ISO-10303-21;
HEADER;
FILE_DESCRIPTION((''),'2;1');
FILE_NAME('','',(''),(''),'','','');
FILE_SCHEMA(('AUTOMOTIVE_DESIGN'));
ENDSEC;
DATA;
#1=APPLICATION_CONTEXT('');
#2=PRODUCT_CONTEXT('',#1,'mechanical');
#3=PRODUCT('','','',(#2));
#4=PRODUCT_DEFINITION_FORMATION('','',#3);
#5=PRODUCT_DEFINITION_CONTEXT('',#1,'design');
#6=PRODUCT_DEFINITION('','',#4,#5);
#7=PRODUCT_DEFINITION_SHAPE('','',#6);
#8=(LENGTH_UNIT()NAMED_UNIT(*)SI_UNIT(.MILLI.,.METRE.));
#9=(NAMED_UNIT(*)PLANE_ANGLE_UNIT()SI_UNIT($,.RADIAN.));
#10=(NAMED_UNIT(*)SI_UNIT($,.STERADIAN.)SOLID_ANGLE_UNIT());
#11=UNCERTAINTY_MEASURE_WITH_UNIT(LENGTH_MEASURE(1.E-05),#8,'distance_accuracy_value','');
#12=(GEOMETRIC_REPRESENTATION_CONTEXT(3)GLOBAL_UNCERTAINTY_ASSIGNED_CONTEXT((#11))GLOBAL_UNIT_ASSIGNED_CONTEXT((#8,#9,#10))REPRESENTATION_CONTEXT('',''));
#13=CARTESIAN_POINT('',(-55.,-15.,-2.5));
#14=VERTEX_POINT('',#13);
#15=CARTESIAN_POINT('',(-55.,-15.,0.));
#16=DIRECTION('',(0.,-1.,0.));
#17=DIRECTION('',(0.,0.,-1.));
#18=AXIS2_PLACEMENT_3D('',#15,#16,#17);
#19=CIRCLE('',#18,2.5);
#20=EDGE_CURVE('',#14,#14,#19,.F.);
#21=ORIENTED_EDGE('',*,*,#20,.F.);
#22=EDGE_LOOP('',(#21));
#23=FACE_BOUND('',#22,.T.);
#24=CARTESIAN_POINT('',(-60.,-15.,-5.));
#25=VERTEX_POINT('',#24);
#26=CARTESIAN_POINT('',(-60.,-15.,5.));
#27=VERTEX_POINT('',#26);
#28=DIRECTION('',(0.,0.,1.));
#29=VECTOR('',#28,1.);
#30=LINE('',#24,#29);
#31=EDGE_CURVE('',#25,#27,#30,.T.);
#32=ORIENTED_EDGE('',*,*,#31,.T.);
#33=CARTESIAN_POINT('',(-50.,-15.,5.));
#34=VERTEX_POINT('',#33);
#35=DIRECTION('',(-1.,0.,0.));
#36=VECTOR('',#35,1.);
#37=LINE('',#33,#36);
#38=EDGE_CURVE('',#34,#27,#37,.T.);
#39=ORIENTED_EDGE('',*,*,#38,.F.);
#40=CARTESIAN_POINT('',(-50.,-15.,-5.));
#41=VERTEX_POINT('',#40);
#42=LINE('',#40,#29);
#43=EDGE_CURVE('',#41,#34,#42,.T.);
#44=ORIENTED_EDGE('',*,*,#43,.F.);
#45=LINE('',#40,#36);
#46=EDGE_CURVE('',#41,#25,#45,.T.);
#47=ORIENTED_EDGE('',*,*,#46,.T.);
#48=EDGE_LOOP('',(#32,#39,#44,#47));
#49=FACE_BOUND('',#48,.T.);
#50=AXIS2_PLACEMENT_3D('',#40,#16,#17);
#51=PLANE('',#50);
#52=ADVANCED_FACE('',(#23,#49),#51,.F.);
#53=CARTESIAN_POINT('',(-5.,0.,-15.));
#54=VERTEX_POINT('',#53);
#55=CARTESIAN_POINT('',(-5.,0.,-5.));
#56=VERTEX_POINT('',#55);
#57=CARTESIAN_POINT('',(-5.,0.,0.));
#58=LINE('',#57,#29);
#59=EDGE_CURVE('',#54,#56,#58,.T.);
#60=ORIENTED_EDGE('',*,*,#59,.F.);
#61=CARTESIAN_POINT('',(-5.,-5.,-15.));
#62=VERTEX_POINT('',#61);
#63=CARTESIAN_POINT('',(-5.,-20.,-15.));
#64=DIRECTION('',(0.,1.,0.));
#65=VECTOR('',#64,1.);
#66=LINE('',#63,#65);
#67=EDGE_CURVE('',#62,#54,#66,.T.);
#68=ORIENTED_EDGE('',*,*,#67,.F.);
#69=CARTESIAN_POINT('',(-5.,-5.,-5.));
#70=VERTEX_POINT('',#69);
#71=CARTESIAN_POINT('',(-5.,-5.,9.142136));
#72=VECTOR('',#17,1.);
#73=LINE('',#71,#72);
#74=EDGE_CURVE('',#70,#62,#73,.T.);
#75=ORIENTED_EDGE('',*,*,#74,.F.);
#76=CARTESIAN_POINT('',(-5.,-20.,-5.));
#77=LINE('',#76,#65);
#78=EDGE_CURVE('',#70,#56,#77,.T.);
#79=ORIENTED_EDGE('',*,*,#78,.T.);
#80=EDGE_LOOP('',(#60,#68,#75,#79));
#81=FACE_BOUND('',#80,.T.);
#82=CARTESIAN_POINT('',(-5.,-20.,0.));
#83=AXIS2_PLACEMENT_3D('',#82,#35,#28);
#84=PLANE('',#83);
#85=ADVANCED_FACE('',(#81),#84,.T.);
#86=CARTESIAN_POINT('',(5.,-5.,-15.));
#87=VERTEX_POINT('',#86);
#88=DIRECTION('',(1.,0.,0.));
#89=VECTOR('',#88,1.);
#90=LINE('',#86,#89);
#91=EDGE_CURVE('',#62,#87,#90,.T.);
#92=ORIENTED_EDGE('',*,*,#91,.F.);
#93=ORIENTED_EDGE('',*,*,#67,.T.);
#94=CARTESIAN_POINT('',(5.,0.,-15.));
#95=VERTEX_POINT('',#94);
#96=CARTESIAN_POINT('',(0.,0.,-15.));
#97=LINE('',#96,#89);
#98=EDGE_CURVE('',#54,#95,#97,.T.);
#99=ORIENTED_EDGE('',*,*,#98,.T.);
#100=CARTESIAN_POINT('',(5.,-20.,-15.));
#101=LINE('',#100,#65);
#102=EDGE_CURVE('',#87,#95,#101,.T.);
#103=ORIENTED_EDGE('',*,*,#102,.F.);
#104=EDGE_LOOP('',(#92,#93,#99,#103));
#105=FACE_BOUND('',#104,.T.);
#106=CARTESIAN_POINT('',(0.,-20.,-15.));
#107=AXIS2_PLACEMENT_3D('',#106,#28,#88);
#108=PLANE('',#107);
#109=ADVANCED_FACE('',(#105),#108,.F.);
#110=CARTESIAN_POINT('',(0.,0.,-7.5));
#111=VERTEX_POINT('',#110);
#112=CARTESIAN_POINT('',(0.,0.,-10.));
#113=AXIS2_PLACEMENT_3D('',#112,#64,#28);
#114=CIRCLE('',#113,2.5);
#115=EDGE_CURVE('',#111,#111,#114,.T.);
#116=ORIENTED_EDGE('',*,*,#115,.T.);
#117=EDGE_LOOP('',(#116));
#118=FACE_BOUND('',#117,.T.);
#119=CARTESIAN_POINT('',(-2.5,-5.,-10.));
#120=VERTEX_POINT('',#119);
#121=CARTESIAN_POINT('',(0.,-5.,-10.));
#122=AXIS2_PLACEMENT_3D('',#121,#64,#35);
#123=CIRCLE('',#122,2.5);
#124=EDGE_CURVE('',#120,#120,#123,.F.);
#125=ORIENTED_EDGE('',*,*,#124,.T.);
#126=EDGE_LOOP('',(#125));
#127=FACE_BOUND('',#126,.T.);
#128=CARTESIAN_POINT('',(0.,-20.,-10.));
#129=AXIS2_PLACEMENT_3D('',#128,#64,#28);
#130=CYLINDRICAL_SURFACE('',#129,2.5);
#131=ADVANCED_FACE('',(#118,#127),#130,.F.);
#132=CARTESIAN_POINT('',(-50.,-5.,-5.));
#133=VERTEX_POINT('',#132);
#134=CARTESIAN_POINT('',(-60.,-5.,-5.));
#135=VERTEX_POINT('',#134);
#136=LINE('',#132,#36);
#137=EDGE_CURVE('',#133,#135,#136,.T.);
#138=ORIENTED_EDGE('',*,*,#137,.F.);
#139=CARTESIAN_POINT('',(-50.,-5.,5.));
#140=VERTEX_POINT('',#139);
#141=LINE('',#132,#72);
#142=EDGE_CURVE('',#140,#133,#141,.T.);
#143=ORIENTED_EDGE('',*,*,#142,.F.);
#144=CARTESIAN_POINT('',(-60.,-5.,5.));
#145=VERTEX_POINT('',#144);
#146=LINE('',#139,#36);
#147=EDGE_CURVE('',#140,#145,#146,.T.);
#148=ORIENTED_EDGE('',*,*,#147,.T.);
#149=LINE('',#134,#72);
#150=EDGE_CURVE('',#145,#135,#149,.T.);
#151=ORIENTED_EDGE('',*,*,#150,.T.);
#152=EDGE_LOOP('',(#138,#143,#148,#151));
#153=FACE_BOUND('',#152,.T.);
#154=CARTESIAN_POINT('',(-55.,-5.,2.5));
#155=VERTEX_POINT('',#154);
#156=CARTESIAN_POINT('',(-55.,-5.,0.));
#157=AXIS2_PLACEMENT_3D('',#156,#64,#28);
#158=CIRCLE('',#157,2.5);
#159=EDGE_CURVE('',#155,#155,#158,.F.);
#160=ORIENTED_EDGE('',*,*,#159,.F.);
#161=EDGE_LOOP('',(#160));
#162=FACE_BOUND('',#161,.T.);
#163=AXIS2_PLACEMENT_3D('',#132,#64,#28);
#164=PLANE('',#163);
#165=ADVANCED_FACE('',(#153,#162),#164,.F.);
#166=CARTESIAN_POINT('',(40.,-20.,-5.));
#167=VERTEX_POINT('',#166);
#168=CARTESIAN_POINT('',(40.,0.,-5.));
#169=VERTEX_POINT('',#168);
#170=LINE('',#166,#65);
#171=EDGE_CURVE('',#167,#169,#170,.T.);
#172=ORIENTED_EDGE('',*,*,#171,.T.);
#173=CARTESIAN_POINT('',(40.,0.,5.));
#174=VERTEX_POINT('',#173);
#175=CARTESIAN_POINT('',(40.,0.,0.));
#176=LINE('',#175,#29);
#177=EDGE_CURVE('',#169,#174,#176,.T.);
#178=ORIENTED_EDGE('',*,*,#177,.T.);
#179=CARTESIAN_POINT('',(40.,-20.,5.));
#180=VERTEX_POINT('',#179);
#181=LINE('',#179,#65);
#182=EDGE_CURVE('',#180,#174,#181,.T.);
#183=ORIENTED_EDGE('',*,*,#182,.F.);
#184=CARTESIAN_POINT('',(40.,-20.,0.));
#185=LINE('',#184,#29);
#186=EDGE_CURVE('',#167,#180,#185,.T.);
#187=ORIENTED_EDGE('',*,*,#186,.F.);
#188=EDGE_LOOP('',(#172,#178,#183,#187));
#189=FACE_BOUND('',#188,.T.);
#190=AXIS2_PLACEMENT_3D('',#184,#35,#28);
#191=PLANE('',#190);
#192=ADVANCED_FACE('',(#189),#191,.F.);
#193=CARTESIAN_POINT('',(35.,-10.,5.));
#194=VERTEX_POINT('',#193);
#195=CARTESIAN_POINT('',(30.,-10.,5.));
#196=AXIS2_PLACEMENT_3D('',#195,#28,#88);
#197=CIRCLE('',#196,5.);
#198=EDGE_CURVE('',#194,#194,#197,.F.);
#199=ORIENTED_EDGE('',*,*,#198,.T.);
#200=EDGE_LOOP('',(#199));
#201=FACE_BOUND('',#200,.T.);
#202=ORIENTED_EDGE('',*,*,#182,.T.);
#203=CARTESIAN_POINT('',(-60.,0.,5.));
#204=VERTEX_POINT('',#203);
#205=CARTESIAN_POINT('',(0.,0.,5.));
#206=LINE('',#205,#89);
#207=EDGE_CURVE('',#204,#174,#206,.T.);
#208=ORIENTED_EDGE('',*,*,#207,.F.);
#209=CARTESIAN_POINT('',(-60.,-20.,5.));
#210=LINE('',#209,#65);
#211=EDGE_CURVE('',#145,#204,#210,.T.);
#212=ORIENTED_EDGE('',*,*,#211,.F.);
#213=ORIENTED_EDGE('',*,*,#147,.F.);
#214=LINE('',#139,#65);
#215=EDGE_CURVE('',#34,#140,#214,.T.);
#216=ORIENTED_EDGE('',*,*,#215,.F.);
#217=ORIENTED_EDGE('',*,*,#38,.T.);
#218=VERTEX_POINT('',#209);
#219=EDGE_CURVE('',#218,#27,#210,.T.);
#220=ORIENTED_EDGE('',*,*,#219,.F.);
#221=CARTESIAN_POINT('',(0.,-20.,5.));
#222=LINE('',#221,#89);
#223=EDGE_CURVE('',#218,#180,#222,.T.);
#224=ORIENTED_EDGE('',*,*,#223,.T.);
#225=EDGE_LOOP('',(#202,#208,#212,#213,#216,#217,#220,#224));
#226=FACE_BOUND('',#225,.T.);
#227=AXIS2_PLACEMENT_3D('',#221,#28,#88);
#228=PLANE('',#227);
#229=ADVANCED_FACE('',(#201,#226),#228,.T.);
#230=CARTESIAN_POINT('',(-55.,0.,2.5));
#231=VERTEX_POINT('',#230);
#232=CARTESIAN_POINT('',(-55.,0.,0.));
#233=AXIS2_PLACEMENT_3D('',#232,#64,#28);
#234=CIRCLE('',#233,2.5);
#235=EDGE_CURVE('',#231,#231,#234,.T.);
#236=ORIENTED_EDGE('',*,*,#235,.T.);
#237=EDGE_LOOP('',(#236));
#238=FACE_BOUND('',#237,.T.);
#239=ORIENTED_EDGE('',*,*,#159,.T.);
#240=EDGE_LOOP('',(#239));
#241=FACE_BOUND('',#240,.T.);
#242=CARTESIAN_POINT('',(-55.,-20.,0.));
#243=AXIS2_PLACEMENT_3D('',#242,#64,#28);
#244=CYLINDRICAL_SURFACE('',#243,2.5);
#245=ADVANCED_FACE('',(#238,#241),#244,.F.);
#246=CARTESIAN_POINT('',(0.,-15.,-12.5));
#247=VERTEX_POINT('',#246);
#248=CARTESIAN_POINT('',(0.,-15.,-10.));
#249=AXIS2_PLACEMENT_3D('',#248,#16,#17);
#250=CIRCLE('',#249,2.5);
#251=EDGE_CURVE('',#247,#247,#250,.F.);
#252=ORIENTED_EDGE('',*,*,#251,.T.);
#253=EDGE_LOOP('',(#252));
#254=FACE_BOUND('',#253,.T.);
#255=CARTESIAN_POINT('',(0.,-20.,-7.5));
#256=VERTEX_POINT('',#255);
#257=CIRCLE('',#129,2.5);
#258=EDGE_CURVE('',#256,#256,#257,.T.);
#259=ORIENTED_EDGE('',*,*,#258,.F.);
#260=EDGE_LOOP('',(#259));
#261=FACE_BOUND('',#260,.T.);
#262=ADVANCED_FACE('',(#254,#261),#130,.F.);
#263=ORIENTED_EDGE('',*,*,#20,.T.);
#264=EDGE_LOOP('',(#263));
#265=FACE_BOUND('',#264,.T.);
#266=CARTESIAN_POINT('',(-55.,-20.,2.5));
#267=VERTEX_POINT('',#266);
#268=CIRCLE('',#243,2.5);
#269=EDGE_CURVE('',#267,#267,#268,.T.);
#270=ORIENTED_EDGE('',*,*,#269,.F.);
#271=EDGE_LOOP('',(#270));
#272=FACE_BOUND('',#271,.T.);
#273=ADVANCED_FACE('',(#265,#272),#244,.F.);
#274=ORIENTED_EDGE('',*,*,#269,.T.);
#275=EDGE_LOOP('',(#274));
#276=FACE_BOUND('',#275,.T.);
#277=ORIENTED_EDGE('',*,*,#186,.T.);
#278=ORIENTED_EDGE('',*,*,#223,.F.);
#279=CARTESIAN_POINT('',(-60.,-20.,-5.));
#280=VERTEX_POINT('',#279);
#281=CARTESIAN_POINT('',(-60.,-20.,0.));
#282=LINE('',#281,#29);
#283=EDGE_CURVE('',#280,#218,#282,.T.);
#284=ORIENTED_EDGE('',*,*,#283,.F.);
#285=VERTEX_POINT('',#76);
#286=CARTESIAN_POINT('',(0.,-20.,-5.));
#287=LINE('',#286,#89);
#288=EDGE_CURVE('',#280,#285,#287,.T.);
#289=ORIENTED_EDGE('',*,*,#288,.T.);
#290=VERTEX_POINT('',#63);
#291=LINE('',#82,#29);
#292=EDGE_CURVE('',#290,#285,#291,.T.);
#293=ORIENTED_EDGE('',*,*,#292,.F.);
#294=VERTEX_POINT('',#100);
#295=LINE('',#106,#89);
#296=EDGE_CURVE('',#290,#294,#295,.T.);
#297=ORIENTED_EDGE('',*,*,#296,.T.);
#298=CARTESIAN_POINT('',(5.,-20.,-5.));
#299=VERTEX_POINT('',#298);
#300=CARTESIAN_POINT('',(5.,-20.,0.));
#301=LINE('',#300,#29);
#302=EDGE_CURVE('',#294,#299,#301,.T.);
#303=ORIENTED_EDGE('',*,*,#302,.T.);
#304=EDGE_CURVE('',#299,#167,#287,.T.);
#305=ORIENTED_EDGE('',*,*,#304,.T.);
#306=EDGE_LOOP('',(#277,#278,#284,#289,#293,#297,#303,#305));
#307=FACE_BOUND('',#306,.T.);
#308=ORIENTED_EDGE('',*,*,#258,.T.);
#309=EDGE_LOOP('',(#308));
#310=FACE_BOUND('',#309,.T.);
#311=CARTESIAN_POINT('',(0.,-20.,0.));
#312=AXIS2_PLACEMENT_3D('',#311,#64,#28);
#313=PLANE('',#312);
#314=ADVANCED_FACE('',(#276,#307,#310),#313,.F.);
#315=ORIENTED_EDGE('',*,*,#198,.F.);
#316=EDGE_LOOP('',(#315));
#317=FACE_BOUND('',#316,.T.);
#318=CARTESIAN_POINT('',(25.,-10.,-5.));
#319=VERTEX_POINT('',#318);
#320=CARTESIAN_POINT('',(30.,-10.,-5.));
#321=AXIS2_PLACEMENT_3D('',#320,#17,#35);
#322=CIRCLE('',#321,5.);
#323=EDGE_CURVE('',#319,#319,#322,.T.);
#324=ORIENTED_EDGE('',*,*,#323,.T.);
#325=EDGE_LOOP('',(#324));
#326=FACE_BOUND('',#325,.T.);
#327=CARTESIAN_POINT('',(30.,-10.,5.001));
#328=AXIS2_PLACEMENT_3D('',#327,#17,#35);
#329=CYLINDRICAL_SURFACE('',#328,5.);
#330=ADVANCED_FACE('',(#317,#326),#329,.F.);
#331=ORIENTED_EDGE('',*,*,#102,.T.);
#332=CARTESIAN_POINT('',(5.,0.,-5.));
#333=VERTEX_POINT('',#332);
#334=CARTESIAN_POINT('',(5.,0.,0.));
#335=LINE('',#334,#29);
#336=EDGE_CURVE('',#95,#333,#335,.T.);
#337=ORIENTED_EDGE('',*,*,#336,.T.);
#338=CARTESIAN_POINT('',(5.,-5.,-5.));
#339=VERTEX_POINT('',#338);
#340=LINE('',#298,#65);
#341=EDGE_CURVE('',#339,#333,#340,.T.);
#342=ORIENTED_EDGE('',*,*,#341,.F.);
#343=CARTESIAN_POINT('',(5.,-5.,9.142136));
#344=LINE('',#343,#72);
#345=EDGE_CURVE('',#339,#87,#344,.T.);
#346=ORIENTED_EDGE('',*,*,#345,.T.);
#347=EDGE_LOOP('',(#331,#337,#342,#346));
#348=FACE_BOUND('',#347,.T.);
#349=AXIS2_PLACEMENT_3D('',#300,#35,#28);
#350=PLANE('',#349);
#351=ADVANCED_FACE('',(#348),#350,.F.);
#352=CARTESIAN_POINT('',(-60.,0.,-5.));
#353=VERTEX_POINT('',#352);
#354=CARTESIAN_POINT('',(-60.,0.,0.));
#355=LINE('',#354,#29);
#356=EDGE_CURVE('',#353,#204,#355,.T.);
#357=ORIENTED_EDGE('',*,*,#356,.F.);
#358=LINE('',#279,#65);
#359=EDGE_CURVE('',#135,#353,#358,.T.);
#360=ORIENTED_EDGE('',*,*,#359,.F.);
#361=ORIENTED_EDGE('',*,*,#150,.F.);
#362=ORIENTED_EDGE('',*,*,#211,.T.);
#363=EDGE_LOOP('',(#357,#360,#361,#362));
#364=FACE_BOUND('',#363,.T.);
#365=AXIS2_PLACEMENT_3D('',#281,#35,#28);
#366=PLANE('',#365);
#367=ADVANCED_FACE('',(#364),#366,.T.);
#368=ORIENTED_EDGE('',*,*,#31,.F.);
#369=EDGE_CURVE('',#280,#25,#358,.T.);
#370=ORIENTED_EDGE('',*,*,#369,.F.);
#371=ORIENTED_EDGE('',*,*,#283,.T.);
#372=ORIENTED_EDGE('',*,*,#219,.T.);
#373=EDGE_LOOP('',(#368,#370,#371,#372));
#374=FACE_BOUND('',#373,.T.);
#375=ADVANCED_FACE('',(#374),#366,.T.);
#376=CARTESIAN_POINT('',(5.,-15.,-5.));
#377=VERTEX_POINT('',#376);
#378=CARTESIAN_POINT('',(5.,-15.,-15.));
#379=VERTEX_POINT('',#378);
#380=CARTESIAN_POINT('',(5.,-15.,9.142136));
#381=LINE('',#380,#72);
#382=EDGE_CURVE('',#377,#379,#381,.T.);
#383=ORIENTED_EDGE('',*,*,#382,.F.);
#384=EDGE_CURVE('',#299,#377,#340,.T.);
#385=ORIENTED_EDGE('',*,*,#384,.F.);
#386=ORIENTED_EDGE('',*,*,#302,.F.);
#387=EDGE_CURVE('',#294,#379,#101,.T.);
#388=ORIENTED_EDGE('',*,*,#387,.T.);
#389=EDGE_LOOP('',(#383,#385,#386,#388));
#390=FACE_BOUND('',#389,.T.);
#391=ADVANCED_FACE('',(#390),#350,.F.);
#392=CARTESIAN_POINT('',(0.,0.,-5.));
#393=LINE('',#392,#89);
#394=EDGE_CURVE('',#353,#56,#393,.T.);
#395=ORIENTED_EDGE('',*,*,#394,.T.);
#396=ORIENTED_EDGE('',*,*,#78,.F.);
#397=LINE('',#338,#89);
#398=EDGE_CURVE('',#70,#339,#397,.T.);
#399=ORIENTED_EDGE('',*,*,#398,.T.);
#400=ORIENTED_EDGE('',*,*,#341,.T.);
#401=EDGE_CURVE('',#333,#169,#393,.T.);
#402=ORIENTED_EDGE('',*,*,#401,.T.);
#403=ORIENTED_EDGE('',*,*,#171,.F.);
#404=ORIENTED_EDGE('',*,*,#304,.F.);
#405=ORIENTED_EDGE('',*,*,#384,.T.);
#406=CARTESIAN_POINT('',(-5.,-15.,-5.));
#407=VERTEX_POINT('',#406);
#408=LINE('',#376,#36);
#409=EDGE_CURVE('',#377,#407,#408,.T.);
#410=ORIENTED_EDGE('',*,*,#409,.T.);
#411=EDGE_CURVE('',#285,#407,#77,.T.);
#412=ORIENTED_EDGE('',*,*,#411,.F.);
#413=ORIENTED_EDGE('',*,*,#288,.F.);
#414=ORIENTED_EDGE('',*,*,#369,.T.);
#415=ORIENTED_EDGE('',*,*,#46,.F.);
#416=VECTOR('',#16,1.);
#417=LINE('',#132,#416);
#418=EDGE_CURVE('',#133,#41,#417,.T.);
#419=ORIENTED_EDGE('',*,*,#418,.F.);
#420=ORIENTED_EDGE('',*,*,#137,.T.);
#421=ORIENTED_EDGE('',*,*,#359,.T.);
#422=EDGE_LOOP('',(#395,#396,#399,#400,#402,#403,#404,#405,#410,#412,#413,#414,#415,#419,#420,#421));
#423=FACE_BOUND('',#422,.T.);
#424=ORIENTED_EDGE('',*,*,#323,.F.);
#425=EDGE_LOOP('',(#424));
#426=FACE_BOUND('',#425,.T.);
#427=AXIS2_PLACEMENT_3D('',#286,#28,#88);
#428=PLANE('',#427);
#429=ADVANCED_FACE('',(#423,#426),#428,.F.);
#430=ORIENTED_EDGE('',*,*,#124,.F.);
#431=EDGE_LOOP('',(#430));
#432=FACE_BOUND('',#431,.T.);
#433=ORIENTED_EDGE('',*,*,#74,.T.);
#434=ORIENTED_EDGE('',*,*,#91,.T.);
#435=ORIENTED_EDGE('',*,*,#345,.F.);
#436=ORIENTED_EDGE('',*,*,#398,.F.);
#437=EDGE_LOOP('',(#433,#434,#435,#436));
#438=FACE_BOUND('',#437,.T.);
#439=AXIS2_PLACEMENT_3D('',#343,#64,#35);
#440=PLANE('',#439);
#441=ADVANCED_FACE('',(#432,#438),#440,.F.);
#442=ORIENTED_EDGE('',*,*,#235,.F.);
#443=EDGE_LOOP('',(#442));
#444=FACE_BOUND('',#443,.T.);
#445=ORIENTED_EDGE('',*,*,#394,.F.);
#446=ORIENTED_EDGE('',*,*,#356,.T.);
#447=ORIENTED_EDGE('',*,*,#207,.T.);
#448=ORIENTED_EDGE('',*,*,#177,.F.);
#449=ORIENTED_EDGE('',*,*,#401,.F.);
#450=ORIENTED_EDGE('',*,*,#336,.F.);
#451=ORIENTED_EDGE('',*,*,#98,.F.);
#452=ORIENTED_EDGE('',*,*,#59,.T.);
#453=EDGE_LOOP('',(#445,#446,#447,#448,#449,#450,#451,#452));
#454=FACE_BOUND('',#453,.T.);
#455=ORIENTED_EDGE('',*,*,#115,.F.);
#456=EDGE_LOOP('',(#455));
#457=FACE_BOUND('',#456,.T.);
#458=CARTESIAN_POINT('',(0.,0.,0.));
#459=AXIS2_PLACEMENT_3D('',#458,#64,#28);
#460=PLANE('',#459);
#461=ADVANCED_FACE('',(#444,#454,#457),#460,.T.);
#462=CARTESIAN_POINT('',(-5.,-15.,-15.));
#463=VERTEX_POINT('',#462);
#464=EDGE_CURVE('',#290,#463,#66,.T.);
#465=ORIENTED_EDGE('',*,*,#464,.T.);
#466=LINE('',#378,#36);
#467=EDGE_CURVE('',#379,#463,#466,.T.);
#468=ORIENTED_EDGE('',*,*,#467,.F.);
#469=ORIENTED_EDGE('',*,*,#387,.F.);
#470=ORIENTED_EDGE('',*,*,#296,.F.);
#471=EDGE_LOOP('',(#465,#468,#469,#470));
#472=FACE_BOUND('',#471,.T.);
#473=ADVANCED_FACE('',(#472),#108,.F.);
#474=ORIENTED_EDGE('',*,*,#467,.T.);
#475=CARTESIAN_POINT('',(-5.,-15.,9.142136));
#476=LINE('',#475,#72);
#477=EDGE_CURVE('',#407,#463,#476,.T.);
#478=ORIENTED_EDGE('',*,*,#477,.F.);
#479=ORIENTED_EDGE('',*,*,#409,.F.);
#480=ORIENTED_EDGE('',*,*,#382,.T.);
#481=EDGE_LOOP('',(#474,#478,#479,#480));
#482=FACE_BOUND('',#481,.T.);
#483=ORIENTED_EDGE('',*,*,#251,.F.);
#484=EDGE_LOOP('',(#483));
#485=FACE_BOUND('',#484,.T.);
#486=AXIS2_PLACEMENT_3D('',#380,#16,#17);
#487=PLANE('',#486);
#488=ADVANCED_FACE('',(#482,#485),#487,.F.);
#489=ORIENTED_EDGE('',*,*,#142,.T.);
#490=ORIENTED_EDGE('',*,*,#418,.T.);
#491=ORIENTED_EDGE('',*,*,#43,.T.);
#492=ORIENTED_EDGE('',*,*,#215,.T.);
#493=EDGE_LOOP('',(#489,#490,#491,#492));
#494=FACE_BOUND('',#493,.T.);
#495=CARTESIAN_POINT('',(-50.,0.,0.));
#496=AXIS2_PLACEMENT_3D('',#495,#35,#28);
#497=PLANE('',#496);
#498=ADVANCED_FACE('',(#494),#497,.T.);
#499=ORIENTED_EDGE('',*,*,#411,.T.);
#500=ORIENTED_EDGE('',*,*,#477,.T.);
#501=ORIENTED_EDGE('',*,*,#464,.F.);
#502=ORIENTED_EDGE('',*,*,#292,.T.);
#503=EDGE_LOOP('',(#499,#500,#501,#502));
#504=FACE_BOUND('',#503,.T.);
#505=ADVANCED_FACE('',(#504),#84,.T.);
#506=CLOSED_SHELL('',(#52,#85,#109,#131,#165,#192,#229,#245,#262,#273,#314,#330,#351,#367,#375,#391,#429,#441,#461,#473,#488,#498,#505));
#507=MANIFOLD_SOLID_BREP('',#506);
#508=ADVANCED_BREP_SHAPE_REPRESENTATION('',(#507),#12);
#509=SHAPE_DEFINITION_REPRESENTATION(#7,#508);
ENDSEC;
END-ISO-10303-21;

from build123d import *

# Parameters (mm, degrees)
SKETCH1_W           = 100
SKETCH1_H           = 10
SKETCH1_R           = 2.5
SKETCH1_W_2         = 10
BOSS_EXTRUDE1_DEPTH = 20
SKETCH2_W           = 10
SKETCH2_H           = 10
CUT_EXTRUDE1_DEPTH  = 10
SKETCH5_W           = 10
SKETCH5_H           = 10
CUT_EXTRUDE4_DEPTH  = 10
CUT_EXTRUDE3_REACH  = 66.031
SKETCH4_R           = 5


with BuildPart() as part:
    # Sketch1 → Boss-Extrude1 (new body)
    # profile 1 of 2: a face of its own
    with BuildSketch(Plane(origin=(0, 0, 0), x_dir=(1, 0, 0), z_dir=(0, 1, 0))):
        with Locations((-10, 0)):
            Rectangle(SKETCH1_W, SKETCH1_H)
        with Locations(Location((-55, 0, 0), (0, 0, 270))):
            Circle(SKETCH1_R, mode=Mode.SUBTRACT)
    # profile 2 of 2: a face of its own
    with BuildSketch(Plane(origin=(0, 0, 0), x_dir=(1, 0, 0), z_dir=(0, 1, 0))):
        with Locations((0, 10)):
            Rectangle(SKETCH1_W_2, SKETCH1_H)
        with Locations(Location((0, 10, 0), (0, 0, 270))):
            Circle(SKETCH1_R, mode=Mode.SUBTRACT)
    extrude(amount=-BOSS_EXTRUDE1_DEPTH)

    # Sketch2 → Cut-Extrude1 (cut)
    with BuildSketch(Plane.ZY.offset(60)):
        with Locations((0, -10)):
            Rectangle(SKETCH2_W, SKETCH2_H)
    extrude(amount=-CUT_EXTRUDE1_DEPTH, mode=Mode.SUBTRACT)

    # Sketch5 → Cut-Extrude4 (cut)
    with BuildSketch(Plane(origin=(0, 0, -15), x_dir=(-1, 0, 0), z_dir=(0, 0, -1))):
        with Locations((0, -10)):
            Rectangle(SKETCH5_W, SKETCH5_H)
    extrude(amount=-CUT_EXTRUDE4_DEPTH, mode=Mode.SUBTRACT)

    # Sketch4 → Cut-Extrude3 (cut, up to next)
    with BuildSketch(Plane(origin=(0, 0, -5), x_dir=(-1, 0, 0), z_dir=(0, 0, -1)), mode=Mode.PRIVATE) as cut_extrude3_sk1:
        with Locations((-30, -10)):
            Circle(SKETCH4_R)
    cut_extrude3_tool1 = extrude(cut_extrude3_sk1.sketch, amount=-CUT_EXTRUDE3_REACH, mode=Mode.PRIVATE) & part.part
    add(cut_extrude3_tool1.solids().sort_by_distance((30, -10, -5))[0], mode=Mode.SUBTRACT)


solid = part.part
